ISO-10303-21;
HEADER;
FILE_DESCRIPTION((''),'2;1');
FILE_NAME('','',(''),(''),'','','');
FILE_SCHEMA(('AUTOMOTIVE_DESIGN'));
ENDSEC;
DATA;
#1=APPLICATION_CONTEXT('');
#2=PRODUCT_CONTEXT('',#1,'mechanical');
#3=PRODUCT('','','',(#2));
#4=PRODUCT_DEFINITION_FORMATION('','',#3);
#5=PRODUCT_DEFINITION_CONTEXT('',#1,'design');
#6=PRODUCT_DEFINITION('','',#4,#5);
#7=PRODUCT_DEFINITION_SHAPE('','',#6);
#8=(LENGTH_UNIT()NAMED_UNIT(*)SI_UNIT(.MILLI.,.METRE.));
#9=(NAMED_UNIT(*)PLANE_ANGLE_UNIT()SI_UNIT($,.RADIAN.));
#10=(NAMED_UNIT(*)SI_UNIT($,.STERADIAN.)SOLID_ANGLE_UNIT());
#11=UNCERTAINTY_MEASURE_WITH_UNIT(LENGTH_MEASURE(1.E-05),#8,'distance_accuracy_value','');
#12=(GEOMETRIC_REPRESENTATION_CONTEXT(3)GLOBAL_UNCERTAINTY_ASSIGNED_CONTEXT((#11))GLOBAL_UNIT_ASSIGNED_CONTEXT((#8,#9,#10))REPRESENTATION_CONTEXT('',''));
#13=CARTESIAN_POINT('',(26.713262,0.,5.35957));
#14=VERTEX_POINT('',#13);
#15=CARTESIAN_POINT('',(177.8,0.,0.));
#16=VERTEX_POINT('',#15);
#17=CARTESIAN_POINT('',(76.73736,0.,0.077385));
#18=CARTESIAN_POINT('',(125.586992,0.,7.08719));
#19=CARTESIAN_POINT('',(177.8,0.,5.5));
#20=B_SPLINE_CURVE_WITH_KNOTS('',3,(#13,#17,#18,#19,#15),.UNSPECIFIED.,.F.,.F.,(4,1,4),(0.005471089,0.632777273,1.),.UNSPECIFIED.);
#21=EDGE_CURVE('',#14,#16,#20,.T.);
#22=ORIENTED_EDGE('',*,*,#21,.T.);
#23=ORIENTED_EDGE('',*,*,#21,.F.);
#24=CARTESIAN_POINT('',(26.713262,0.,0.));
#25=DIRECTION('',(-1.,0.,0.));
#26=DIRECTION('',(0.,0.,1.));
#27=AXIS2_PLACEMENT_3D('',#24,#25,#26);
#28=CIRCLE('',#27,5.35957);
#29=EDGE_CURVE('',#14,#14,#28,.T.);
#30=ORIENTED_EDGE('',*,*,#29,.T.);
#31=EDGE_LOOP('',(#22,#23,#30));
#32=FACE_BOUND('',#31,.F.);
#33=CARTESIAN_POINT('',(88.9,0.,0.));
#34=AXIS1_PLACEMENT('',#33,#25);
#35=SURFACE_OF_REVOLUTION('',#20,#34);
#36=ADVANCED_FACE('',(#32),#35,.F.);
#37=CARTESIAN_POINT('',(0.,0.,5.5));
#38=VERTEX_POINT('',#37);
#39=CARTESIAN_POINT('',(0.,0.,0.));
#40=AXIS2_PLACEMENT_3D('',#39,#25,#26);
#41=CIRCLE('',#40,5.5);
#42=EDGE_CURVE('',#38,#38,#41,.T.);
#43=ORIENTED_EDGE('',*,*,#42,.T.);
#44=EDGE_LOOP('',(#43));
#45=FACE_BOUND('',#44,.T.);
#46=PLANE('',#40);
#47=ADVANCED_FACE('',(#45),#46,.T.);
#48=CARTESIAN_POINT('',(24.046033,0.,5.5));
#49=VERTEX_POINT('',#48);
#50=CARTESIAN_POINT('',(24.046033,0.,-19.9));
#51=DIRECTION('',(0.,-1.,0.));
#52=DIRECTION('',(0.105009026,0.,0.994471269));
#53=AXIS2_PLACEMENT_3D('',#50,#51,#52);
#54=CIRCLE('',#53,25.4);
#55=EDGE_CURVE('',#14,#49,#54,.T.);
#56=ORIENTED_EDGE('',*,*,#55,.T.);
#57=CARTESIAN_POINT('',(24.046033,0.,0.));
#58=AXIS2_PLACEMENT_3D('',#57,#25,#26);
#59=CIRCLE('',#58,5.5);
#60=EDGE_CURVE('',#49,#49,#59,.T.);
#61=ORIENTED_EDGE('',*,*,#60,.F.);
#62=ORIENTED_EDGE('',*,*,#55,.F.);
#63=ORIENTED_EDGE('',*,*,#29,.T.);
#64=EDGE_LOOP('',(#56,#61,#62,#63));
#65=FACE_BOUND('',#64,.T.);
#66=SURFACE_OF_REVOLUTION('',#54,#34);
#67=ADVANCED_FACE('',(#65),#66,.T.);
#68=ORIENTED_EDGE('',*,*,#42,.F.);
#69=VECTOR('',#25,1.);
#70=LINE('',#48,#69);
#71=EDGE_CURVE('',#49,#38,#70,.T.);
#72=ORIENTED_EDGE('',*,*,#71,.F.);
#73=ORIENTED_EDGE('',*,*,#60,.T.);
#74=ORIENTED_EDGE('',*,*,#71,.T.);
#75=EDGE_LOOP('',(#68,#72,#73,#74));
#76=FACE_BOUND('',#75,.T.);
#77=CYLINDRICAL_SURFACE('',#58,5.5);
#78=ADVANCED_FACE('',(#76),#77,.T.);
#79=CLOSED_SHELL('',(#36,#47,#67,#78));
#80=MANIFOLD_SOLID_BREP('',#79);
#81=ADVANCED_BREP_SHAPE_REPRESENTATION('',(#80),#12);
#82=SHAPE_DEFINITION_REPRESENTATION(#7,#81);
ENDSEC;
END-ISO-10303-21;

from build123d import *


with BuildPart() as f1:
    # F0 (on Front) → F1 (revolve)
    with BuildSketch(Plane.XZ):
        with BuildLine():
            Line((0, 5.5), (0, 0))
            Line((0, 0), (177.8, 0))
            add(Edge.make_bspline(
                [(26.7132624506, 5.3595702272), (76.7373601277, 0.0773846652), (125.5869919153, 7.0871895113), (177.8, 5.5), (177.8, 0)],
                knots=[0.0054710895, 0.0054710895, 0.0054710895, 0.0054710895, 0.6327772731, 1, 1, 1, 1], degree=3))
            ThreePointArc((26.7132624506, 5.3595702272), (25.381494949, 5.4648682607), (24.0460331881, 5.5))
            Line((24.0460331881, 5.5), (0, 5.5))
        make_face()
    revolve(axis=Axis((88.9, 0, 0), (-1, 0, 0)))


solid = f1.part
